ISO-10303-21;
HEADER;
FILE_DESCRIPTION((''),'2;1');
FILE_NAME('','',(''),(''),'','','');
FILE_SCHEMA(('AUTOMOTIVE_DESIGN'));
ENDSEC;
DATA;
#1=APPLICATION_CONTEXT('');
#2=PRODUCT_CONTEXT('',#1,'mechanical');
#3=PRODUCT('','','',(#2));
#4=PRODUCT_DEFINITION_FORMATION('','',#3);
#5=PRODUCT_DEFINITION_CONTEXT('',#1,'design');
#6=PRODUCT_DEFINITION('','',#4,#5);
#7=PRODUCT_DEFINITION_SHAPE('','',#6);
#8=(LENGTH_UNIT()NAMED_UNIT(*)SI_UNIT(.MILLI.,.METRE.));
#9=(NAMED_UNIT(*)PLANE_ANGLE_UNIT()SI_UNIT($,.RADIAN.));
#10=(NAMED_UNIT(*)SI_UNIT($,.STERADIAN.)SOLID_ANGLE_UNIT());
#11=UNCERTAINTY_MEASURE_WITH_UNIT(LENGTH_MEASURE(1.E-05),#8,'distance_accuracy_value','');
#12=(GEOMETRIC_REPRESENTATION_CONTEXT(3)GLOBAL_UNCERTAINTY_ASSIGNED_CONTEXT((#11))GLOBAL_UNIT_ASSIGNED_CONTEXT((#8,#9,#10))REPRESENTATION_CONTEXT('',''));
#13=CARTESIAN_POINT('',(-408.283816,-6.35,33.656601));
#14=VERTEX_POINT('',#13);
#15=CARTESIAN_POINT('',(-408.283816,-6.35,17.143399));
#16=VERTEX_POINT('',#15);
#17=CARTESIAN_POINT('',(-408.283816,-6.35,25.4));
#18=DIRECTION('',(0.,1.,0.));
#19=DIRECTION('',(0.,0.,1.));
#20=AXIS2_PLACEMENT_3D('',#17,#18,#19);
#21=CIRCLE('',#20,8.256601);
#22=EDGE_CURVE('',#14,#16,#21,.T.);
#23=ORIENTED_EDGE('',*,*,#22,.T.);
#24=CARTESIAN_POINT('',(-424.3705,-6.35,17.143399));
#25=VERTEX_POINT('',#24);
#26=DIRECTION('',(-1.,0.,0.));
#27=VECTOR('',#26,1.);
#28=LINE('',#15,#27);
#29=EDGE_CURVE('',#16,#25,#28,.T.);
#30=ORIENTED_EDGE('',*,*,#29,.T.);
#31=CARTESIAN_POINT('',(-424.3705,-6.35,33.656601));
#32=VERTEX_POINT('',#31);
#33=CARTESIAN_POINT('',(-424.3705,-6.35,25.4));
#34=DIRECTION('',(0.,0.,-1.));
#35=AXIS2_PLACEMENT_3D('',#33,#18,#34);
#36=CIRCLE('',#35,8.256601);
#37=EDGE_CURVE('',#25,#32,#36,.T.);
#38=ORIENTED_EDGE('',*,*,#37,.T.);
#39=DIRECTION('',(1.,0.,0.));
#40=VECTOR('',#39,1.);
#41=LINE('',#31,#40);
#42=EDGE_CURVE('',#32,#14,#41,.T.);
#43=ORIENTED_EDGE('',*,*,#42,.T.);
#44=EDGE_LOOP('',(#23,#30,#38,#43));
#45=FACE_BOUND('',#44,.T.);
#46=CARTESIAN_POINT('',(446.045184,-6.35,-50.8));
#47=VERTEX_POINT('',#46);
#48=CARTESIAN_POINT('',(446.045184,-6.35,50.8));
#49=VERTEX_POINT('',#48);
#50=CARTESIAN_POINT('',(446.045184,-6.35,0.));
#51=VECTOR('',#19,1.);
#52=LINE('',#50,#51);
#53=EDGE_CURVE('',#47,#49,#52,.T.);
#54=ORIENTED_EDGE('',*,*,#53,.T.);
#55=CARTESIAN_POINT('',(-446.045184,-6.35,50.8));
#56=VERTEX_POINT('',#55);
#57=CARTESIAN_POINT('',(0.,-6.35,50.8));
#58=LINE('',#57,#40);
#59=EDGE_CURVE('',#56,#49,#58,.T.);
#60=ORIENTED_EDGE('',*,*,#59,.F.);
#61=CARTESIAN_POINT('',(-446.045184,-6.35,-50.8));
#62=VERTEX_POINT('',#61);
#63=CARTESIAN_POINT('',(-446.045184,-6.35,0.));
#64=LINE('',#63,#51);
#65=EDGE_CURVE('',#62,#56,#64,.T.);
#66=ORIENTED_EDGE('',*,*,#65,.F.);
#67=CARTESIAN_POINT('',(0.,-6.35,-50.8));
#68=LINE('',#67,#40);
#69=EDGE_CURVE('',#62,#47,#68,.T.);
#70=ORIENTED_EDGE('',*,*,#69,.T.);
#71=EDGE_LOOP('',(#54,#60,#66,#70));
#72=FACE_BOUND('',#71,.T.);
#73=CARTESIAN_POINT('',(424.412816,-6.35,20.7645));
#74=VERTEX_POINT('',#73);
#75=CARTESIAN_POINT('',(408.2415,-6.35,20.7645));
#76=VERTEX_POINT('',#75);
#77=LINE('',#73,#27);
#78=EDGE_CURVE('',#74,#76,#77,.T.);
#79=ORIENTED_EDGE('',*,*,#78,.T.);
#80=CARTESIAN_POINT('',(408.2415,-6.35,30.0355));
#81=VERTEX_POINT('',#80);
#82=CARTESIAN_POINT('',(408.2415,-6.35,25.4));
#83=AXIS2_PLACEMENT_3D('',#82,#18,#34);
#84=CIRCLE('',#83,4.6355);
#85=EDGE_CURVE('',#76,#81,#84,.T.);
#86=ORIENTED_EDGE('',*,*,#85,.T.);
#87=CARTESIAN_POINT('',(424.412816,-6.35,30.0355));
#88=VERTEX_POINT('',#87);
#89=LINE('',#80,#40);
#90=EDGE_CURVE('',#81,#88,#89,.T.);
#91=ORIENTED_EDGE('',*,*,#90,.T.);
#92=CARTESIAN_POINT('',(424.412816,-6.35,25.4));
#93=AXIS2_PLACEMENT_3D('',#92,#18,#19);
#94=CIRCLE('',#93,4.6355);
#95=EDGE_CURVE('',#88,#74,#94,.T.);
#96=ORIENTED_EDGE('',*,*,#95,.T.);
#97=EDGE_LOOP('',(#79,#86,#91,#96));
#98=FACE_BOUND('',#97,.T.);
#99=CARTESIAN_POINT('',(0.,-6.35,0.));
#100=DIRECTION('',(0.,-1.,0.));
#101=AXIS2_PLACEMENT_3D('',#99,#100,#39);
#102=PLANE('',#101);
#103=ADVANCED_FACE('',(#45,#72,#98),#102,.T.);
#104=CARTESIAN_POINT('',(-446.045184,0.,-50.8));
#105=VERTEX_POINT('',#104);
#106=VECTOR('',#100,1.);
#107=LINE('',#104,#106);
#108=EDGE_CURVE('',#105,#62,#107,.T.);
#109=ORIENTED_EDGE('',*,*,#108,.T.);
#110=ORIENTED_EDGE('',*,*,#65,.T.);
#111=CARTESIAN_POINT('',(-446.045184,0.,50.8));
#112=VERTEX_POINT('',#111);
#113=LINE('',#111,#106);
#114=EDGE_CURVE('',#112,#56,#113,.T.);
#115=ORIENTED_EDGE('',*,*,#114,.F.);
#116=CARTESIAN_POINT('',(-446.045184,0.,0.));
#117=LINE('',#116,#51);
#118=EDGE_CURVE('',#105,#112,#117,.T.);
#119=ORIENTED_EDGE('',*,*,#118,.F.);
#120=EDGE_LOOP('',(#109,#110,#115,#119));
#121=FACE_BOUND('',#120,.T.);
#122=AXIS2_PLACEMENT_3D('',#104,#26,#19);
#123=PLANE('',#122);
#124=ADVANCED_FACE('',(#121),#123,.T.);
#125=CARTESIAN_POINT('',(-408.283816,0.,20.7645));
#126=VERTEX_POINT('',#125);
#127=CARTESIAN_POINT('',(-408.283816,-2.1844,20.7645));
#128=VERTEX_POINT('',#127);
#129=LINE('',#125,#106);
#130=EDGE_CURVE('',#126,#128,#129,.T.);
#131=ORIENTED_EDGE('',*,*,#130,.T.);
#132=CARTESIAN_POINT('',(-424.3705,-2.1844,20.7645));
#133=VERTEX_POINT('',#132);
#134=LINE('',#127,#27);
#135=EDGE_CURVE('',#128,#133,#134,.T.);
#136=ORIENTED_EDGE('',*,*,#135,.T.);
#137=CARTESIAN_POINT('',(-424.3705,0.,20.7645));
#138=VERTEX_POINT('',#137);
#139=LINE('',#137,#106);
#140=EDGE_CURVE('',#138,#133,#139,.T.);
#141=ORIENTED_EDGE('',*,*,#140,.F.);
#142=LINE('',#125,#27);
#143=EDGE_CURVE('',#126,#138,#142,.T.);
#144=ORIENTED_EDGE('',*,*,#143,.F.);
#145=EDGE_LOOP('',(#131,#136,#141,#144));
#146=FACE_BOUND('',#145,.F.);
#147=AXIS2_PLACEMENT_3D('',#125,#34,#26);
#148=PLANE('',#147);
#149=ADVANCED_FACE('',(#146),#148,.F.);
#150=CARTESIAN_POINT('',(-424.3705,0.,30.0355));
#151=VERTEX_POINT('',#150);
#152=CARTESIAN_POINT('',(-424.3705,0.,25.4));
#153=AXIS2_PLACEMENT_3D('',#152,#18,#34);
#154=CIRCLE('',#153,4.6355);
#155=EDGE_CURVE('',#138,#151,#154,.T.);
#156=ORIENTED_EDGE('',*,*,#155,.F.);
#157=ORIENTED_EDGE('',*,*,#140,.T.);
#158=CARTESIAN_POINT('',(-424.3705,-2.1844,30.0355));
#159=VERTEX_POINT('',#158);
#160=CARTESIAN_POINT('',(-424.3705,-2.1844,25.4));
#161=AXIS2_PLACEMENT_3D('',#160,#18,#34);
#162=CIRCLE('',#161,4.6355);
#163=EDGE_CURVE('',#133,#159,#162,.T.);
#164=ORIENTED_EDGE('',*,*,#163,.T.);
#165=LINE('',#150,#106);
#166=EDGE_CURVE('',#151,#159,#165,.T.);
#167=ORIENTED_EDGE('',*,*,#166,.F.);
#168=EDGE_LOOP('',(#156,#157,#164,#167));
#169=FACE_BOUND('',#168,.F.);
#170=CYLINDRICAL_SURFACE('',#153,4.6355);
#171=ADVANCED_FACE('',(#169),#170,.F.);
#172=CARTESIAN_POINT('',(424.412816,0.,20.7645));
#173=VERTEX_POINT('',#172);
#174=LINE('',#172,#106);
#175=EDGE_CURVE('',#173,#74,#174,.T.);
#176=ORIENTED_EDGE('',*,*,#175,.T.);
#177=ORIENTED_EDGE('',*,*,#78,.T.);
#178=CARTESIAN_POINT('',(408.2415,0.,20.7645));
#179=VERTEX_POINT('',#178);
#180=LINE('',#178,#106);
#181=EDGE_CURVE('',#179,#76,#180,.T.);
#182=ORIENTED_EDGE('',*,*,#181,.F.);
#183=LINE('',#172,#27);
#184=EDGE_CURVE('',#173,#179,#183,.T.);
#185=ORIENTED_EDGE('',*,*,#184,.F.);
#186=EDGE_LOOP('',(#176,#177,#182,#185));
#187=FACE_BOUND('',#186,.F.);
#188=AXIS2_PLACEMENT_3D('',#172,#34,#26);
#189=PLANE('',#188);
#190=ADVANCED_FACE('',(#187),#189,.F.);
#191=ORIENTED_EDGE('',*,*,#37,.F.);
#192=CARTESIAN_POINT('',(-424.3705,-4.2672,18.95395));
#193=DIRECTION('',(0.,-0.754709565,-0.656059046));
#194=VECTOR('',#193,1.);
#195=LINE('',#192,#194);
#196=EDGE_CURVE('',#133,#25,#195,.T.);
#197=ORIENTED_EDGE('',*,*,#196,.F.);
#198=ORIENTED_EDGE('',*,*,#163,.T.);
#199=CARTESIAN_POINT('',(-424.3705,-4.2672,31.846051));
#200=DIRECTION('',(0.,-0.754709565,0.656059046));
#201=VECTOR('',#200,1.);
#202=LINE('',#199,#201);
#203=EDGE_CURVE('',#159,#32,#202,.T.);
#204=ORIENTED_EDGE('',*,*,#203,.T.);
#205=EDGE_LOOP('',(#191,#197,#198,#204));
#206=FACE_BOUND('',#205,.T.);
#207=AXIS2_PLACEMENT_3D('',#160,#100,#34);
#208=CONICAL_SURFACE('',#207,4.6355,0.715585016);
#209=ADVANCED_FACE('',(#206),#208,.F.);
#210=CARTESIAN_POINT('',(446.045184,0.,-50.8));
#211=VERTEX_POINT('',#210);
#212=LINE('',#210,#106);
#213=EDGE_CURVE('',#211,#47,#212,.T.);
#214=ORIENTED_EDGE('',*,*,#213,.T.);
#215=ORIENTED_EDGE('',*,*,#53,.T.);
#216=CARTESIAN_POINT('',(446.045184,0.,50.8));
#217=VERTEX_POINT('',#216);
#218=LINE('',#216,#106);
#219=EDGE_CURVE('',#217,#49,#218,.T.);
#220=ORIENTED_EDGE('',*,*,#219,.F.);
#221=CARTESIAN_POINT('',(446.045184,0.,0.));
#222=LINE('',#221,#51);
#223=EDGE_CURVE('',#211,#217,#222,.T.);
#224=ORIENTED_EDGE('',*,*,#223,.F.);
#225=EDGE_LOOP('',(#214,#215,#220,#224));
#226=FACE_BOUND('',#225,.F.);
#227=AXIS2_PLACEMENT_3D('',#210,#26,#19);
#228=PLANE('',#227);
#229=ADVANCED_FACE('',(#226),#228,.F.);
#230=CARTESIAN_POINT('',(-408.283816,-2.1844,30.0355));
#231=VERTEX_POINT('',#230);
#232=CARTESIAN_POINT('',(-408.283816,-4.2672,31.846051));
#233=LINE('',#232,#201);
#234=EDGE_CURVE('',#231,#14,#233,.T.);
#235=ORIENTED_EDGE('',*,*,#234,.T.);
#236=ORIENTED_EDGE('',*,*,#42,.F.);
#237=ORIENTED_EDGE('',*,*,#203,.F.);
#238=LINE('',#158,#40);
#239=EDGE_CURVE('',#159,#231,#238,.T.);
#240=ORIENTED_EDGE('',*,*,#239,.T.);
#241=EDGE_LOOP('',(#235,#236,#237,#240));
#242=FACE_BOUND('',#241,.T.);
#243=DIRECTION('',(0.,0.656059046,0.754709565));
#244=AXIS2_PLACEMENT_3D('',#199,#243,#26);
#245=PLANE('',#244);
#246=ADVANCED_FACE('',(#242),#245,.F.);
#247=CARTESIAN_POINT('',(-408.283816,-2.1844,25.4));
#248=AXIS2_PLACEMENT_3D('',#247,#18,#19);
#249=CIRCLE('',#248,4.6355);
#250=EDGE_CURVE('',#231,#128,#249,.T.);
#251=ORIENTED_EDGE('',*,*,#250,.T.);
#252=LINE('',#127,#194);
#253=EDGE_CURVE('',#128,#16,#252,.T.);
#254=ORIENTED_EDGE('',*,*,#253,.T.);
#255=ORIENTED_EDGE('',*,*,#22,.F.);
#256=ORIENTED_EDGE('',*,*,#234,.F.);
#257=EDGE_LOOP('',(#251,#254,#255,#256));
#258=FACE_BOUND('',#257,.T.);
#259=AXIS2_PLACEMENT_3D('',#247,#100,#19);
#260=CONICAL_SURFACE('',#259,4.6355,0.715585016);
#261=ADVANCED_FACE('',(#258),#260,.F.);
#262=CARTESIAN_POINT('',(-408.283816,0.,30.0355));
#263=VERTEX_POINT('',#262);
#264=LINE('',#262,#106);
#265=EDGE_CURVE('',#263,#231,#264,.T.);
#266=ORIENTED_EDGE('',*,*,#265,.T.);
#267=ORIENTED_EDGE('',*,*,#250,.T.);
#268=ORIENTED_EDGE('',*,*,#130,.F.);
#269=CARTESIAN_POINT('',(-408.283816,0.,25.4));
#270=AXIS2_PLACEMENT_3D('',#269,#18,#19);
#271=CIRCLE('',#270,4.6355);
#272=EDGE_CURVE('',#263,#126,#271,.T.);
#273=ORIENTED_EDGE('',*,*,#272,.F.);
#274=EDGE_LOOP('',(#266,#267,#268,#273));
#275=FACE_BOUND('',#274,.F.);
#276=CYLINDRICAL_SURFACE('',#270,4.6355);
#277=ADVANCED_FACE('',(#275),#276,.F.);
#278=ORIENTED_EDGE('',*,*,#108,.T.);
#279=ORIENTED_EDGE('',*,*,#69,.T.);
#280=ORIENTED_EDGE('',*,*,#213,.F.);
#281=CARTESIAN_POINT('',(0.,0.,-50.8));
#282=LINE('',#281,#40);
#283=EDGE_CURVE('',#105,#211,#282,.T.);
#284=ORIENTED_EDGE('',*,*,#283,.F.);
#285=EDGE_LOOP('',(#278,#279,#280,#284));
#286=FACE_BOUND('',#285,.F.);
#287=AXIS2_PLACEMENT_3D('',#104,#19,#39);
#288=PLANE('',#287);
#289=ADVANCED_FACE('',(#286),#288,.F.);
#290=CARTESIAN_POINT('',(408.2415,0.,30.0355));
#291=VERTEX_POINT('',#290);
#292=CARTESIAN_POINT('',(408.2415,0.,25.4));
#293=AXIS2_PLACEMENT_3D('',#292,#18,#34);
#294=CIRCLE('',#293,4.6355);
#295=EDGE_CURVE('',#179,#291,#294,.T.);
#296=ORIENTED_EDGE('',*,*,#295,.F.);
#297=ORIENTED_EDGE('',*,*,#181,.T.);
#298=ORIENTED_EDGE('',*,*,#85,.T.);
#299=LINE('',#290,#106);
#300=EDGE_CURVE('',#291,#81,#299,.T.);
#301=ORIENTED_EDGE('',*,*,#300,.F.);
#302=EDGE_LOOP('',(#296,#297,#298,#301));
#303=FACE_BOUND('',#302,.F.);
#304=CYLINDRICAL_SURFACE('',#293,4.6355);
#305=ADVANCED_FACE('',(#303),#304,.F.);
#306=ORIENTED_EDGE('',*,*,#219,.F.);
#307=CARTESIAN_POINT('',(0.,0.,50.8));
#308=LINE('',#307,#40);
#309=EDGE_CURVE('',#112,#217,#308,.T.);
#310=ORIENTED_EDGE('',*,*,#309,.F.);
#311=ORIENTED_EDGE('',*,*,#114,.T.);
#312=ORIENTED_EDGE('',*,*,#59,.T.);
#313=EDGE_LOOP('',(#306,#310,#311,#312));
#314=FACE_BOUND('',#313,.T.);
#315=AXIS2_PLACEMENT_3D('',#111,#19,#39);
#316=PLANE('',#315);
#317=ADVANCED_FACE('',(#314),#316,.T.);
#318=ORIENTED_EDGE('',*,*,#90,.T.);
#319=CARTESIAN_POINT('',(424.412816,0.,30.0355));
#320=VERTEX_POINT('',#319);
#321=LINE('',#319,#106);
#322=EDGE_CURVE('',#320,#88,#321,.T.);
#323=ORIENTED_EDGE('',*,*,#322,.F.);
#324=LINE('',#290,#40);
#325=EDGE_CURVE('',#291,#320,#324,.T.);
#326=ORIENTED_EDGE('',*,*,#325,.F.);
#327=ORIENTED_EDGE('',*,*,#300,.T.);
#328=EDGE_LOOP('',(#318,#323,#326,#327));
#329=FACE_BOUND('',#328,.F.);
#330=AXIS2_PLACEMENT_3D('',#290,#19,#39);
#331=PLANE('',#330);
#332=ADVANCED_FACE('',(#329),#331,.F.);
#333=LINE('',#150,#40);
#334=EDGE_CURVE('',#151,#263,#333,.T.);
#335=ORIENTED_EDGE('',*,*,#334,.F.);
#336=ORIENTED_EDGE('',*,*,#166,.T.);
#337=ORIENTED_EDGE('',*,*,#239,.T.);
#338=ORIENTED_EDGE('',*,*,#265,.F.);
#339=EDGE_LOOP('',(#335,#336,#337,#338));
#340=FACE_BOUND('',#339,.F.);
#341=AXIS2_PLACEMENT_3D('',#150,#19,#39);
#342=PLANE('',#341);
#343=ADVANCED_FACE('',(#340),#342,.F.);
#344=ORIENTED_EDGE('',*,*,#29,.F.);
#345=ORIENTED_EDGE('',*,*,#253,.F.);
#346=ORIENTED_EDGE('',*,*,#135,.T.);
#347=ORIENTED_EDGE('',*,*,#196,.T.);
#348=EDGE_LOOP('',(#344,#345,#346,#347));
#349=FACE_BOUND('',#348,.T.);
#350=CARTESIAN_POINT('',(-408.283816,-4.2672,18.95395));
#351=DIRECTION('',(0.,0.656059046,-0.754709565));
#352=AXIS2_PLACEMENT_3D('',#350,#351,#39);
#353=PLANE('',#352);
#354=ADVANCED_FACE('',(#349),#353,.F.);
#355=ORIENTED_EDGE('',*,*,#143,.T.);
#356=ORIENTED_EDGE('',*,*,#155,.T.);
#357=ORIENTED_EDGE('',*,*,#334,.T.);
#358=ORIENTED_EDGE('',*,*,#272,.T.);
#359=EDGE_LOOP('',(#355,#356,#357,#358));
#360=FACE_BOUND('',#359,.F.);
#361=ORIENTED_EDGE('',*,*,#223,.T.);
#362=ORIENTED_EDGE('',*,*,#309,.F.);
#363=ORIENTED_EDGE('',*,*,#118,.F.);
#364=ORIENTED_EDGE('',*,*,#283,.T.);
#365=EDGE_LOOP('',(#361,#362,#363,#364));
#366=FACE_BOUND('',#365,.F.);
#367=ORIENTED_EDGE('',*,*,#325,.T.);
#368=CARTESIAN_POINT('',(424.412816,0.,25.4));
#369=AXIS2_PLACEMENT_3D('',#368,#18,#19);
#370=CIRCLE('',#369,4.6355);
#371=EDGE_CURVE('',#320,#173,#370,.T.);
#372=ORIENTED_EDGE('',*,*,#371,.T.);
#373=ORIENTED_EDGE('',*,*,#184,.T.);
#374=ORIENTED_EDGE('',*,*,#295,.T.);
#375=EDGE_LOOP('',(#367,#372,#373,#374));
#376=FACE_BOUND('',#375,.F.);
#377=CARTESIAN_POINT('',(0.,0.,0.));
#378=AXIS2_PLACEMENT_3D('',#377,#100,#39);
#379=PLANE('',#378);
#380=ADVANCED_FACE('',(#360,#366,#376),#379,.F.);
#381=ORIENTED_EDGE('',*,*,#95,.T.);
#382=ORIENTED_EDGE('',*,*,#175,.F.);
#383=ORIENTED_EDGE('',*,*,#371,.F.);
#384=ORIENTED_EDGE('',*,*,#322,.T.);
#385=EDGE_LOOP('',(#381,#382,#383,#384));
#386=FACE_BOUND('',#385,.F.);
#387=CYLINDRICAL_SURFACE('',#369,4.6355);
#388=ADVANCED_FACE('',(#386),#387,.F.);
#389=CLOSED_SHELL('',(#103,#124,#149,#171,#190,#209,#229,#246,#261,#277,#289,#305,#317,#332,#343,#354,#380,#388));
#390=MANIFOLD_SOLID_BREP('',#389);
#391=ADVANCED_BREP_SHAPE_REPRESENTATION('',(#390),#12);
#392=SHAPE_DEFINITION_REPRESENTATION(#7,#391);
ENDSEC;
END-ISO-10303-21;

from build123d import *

# Parameters (mm, degrees)
F0_W     = 892.090368
F0_H     = 101.6
F1_DEPTH = 6.35
F2_SIZE2 = 3.621101
F2_SIZE  = 4.1656


with BuildPart() as f1:
    # F0 (on Front) → F1 (new body)
    with BuildSketch(Plane.XZ):
        Rectangle(F0_W, F0_H)
        with BuildLine():
            ThreePointArc((-408.283816, 30.0355), (-403.648316, 25.4), (-408.283816, 20.7645))
            Line((-408.283816, 20.7645), (-424.3705, 20.7645))
            ThreePointArc((-424.3705, 20.7645), (-429.006, 25.4), (-424.3705, 30.0355))
            Line((-424.3705, 30.0355), (-408.283816, 30.0355))
        make_face(mode=Mode.SUBTRACT)
        with BuildLine():
            ThreePointArc((424.412816, 30.0355), (429.048316, 25.4), (424.412816, 20.7645))
            Line((424.412816, 20.7645), (408.2415, 20.7645))
            ThreePointArc((408.2415, 20.7645), (403.606, 25.4), (408.2415, 30.0355))
            Line((408.2415, 30.0355), (424.412816, 30.0355))
        make_face(mode=Mode.SUBTRACT)
    extrude(amount=F1_DEPTH)

    # F2
    f2_edges = [f1.edges().sort_by_distance(p)[0] for p in [
        (-416.327158, -6.35, 30.0355),
    ]]
    chamfer(f2_edges, length=F2_SIZE, length2=F2_SIZE2)


solid = f1.part
